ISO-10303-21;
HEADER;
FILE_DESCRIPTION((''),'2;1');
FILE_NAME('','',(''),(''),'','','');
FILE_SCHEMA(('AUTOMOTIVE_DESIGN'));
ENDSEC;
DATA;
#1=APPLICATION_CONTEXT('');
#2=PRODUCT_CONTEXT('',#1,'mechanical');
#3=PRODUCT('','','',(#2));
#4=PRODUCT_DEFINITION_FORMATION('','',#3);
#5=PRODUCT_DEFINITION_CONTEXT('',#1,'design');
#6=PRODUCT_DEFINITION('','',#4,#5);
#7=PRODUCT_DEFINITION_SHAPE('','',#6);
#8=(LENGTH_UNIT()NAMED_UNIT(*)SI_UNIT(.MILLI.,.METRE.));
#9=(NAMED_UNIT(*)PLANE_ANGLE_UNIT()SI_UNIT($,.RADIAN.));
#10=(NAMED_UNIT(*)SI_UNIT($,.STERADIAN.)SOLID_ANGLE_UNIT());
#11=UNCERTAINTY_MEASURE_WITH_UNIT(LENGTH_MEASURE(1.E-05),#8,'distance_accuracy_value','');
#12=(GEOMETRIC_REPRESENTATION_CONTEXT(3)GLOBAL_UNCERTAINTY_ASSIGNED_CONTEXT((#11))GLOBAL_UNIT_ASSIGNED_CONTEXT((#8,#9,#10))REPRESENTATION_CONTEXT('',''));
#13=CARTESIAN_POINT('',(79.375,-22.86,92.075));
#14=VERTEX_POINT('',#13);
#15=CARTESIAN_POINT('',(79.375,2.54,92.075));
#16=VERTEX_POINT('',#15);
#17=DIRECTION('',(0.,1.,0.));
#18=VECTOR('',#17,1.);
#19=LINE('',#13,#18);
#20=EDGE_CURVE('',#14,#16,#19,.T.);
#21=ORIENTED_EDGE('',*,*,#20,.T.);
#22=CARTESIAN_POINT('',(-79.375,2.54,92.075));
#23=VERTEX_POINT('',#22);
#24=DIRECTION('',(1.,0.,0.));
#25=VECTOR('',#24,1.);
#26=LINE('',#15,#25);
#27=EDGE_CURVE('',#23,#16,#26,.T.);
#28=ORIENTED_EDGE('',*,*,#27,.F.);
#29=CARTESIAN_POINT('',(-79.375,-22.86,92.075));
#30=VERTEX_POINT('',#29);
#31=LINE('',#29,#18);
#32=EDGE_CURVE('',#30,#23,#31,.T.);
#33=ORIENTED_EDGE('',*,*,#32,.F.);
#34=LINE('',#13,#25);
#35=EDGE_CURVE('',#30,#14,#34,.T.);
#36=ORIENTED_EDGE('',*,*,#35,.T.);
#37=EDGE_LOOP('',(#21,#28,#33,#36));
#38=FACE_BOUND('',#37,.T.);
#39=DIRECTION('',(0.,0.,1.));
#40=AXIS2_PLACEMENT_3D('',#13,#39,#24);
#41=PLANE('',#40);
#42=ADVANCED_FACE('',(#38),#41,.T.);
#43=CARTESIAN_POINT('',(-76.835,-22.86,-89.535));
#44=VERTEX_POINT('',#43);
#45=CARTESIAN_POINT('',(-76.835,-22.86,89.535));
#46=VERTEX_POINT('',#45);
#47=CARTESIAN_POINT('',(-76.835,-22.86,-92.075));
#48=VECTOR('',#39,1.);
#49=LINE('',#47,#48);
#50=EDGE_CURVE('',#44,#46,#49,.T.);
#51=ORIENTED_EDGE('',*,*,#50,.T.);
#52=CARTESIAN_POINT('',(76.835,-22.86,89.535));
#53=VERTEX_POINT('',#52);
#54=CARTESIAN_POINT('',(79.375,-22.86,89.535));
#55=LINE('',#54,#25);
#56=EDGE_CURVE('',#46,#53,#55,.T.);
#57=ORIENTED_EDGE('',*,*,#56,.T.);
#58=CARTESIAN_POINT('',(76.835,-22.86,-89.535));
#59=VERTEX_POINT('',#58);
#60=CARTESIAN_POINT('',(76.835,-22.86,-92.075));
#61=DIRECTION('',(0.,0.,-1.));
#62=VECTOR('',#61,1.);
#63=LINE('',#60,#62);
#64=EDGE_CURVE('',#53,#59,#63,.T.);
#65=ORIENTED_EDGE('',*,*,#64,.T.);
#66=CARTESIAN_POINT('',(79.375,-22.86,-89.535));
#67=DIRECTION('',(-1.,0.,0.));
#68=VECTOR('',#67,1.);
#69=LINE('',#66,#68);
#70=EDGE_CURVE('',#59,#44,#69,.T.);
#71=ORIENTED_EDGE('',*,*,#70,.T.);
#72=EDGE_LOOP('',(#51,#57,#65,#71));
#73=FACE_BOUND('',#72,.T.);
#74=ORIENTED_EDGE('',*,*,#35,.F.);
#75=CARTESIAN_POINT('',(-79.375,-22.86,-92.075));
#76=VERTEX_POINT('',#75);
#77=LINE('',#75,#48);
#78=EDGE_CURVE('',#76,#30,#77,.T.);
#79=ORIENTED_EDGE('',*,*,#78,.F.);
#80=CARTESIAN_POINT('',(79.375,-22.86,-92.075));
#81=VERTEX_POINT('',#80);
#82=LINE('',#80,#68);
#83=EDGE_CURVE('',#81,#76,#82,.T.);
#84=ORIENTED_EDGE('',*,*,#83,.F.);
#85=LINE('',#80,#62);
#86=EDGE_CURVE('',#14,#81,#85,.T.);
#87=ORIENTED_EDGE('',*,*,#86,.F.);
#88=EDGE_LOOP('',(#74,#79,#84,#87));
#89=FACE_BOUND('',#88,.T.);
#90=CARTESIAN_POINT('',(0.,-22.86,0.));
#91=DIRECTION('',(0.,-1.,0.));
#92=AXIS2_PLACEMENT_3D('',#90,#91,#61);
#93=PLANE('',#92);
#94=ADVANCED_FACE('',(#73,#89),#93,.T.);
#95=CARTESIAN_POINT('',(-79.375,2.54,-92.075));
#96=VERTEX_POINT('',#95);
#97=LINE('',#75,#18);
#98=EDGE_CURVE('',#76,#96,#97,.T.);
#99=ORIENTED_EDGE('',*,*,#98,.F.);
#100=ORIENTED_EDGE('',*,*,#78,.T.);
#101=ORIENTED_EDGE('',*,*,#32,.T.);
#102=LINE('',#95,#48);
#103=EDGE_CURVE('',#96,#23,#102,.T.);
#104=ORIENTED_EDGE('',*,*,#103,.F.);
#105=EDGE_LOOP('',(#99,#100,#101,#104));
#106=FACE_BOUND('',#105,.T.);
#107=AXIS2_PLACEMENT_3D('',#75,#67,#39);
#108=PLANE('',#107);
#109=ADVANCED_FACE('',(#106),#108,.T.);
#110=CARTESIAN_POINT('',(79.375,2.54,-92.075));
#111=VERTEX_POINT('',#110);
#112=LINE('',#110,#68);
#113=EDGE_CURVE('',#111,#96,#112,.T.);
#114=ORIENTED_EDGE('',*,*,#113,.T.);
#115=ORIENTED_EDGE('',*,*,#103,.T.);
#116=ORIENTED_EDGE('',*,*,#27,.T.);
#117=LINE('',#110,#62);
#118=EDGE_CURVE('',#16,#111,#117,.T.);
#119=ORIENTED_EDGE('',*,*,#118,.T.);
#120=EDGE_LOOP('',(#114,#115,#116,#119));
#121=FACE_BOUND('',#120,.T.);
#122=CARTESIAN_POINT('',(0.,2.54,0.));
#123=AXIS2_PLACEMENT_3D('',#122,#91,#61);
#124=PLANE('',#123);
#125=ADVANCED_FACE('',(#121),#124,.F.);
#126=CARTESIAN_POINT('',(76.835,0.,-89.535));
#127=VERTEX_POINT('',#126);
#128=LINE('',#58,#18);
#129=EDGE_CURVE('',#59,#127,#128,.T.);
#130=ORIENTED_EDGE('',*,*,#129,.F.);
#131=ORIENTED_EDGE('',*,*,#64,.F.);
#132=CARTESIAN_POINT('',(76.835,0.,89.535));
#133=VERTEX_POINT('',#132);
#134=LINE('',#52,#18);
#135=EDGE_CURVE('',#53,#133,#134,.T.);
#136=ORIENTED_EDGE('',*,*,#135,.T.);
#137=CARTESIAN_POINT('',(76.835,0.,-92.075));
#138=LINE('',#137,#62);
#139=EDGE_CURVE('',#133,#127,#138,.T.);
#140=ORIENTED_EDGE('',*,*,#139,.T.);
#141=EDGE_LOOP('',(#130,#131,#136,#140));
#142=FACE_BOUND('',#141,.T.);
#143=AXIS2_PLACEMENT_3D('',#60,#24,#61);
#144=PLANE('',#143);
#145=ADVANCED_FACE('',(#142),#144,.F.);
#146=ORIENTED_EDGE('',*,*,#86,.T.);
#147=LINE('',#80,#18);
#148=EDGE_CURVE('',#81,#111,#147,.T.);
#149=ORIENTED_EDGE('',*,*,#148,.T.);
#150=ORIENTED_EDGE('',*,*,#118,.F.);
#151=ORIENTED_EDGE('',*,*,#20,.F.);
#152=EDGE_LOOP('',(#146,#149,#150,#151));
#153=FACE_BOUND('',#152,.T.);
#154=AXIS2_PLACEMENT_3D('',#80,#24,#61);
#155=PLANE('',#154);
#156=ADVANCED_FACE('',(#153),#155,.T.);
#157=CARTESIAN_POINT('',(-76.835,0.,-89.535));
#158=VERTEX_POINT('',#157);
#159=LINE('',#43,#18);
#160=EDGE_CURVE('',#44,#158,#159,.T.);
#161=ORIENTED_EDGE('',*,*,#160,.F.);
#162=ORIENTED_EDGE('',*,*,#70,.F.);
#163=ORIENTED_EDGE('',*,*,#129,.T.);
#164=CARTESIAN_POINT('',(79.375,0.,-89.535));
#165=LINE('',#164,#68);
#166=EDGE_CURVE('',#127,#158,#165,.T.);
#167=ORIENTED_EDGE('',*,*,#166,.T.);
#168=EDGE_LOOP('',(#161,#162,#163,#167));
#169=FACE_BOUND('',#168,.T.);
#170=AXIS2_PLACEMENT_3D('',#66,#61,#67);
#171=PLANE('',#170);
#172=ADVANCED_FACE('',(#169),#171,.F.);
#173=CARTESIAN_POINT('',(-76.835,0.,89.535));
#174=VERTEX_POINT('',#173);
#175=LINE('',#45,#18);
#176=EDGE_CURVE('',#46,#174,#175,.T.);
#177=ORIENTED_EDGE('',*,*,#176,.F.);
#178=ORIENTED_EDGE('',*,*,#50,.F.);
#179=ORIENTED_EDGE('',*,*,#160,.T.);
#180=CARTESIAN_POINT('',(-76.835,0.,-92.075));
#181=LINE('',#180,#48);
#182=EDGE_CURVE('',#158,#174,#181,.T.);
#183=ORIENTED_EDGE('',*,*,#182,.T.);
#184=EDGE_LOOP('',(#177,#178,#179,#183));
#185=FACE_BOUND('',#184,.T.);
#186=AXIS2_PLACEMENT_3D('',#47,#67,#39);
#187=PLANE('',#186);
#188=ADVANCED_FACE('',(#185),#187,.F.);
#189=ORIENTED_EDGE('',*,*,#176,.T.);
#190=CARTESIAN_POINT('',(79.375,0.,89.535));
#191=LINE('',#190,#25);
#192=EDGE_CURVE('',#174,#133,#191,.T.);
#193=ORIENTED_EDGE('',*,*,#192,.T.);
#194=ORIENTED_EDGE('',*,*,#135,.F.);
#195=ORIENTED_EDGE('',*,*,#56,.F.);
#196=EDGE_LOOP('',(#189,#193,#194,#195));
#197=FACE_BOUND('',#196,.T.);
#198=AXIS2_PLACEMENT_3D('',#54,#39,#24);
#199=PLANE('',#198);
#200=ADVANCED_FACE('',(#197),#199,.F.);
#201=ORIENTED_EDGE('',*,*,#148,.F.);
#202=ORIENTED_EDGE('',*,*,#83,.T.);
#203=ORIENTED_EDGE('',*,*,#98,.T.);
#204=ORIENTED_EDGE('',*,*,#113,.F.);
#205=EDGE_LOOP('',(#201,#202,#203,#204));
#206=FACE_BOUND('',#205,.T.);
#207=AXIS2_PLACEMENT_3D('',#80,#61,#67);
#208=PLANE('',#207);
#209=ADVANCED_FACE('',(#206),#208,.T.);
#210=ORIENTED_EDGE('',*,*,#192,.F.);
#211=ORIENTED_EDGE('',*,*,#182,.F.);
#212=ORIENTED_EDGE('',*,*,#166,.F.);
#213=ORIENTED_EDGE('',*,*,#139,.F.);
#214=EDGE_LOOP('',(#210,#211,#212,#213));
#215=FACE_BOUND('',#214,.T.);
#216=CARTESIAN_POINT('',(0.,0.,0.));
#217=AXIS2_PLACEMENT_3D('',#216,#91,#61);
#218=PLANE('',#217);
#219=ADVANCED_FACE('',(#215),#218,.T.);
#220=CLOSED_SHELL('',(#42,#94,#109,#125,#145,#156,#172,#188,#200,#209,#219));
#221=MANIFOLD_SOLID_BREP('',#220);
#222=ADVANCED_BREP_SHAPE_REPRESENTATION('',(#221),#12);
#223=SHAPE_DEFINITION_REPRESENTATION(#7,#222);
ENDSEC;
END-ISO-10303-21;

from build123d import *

# Parameters (mm, degrees)
SKETCH1_W           = 158.75
SKETCH1_H           = 184.15
BOSS_EXTRUDE1_DEPTH = 25.4
SHELL1_T            = -2.54


with BuildPart() as part:
    # Sketch1 → Boss-Extrude1 (new body)
    with BuildSketch(Plane(origin=(0, 2.54, 0), x_dir=(1, 0, 0), z_dir=(0, 1, 0))):
        Rectangle(SKETCH1_W, SKETCH1_H)
    extrude(amount=-BOSS_EXTRUDE1_DEPTH)

    # Shell1
    shell1_openings = [part.faces().sort_by_distance(p)[0] for p in [
        (0, -22.86, 0),
    ]]
    offset(amount=SHELL1_T, openings=shell1_openings, kind=Kind.INTERSECTION)


solid = part.part
